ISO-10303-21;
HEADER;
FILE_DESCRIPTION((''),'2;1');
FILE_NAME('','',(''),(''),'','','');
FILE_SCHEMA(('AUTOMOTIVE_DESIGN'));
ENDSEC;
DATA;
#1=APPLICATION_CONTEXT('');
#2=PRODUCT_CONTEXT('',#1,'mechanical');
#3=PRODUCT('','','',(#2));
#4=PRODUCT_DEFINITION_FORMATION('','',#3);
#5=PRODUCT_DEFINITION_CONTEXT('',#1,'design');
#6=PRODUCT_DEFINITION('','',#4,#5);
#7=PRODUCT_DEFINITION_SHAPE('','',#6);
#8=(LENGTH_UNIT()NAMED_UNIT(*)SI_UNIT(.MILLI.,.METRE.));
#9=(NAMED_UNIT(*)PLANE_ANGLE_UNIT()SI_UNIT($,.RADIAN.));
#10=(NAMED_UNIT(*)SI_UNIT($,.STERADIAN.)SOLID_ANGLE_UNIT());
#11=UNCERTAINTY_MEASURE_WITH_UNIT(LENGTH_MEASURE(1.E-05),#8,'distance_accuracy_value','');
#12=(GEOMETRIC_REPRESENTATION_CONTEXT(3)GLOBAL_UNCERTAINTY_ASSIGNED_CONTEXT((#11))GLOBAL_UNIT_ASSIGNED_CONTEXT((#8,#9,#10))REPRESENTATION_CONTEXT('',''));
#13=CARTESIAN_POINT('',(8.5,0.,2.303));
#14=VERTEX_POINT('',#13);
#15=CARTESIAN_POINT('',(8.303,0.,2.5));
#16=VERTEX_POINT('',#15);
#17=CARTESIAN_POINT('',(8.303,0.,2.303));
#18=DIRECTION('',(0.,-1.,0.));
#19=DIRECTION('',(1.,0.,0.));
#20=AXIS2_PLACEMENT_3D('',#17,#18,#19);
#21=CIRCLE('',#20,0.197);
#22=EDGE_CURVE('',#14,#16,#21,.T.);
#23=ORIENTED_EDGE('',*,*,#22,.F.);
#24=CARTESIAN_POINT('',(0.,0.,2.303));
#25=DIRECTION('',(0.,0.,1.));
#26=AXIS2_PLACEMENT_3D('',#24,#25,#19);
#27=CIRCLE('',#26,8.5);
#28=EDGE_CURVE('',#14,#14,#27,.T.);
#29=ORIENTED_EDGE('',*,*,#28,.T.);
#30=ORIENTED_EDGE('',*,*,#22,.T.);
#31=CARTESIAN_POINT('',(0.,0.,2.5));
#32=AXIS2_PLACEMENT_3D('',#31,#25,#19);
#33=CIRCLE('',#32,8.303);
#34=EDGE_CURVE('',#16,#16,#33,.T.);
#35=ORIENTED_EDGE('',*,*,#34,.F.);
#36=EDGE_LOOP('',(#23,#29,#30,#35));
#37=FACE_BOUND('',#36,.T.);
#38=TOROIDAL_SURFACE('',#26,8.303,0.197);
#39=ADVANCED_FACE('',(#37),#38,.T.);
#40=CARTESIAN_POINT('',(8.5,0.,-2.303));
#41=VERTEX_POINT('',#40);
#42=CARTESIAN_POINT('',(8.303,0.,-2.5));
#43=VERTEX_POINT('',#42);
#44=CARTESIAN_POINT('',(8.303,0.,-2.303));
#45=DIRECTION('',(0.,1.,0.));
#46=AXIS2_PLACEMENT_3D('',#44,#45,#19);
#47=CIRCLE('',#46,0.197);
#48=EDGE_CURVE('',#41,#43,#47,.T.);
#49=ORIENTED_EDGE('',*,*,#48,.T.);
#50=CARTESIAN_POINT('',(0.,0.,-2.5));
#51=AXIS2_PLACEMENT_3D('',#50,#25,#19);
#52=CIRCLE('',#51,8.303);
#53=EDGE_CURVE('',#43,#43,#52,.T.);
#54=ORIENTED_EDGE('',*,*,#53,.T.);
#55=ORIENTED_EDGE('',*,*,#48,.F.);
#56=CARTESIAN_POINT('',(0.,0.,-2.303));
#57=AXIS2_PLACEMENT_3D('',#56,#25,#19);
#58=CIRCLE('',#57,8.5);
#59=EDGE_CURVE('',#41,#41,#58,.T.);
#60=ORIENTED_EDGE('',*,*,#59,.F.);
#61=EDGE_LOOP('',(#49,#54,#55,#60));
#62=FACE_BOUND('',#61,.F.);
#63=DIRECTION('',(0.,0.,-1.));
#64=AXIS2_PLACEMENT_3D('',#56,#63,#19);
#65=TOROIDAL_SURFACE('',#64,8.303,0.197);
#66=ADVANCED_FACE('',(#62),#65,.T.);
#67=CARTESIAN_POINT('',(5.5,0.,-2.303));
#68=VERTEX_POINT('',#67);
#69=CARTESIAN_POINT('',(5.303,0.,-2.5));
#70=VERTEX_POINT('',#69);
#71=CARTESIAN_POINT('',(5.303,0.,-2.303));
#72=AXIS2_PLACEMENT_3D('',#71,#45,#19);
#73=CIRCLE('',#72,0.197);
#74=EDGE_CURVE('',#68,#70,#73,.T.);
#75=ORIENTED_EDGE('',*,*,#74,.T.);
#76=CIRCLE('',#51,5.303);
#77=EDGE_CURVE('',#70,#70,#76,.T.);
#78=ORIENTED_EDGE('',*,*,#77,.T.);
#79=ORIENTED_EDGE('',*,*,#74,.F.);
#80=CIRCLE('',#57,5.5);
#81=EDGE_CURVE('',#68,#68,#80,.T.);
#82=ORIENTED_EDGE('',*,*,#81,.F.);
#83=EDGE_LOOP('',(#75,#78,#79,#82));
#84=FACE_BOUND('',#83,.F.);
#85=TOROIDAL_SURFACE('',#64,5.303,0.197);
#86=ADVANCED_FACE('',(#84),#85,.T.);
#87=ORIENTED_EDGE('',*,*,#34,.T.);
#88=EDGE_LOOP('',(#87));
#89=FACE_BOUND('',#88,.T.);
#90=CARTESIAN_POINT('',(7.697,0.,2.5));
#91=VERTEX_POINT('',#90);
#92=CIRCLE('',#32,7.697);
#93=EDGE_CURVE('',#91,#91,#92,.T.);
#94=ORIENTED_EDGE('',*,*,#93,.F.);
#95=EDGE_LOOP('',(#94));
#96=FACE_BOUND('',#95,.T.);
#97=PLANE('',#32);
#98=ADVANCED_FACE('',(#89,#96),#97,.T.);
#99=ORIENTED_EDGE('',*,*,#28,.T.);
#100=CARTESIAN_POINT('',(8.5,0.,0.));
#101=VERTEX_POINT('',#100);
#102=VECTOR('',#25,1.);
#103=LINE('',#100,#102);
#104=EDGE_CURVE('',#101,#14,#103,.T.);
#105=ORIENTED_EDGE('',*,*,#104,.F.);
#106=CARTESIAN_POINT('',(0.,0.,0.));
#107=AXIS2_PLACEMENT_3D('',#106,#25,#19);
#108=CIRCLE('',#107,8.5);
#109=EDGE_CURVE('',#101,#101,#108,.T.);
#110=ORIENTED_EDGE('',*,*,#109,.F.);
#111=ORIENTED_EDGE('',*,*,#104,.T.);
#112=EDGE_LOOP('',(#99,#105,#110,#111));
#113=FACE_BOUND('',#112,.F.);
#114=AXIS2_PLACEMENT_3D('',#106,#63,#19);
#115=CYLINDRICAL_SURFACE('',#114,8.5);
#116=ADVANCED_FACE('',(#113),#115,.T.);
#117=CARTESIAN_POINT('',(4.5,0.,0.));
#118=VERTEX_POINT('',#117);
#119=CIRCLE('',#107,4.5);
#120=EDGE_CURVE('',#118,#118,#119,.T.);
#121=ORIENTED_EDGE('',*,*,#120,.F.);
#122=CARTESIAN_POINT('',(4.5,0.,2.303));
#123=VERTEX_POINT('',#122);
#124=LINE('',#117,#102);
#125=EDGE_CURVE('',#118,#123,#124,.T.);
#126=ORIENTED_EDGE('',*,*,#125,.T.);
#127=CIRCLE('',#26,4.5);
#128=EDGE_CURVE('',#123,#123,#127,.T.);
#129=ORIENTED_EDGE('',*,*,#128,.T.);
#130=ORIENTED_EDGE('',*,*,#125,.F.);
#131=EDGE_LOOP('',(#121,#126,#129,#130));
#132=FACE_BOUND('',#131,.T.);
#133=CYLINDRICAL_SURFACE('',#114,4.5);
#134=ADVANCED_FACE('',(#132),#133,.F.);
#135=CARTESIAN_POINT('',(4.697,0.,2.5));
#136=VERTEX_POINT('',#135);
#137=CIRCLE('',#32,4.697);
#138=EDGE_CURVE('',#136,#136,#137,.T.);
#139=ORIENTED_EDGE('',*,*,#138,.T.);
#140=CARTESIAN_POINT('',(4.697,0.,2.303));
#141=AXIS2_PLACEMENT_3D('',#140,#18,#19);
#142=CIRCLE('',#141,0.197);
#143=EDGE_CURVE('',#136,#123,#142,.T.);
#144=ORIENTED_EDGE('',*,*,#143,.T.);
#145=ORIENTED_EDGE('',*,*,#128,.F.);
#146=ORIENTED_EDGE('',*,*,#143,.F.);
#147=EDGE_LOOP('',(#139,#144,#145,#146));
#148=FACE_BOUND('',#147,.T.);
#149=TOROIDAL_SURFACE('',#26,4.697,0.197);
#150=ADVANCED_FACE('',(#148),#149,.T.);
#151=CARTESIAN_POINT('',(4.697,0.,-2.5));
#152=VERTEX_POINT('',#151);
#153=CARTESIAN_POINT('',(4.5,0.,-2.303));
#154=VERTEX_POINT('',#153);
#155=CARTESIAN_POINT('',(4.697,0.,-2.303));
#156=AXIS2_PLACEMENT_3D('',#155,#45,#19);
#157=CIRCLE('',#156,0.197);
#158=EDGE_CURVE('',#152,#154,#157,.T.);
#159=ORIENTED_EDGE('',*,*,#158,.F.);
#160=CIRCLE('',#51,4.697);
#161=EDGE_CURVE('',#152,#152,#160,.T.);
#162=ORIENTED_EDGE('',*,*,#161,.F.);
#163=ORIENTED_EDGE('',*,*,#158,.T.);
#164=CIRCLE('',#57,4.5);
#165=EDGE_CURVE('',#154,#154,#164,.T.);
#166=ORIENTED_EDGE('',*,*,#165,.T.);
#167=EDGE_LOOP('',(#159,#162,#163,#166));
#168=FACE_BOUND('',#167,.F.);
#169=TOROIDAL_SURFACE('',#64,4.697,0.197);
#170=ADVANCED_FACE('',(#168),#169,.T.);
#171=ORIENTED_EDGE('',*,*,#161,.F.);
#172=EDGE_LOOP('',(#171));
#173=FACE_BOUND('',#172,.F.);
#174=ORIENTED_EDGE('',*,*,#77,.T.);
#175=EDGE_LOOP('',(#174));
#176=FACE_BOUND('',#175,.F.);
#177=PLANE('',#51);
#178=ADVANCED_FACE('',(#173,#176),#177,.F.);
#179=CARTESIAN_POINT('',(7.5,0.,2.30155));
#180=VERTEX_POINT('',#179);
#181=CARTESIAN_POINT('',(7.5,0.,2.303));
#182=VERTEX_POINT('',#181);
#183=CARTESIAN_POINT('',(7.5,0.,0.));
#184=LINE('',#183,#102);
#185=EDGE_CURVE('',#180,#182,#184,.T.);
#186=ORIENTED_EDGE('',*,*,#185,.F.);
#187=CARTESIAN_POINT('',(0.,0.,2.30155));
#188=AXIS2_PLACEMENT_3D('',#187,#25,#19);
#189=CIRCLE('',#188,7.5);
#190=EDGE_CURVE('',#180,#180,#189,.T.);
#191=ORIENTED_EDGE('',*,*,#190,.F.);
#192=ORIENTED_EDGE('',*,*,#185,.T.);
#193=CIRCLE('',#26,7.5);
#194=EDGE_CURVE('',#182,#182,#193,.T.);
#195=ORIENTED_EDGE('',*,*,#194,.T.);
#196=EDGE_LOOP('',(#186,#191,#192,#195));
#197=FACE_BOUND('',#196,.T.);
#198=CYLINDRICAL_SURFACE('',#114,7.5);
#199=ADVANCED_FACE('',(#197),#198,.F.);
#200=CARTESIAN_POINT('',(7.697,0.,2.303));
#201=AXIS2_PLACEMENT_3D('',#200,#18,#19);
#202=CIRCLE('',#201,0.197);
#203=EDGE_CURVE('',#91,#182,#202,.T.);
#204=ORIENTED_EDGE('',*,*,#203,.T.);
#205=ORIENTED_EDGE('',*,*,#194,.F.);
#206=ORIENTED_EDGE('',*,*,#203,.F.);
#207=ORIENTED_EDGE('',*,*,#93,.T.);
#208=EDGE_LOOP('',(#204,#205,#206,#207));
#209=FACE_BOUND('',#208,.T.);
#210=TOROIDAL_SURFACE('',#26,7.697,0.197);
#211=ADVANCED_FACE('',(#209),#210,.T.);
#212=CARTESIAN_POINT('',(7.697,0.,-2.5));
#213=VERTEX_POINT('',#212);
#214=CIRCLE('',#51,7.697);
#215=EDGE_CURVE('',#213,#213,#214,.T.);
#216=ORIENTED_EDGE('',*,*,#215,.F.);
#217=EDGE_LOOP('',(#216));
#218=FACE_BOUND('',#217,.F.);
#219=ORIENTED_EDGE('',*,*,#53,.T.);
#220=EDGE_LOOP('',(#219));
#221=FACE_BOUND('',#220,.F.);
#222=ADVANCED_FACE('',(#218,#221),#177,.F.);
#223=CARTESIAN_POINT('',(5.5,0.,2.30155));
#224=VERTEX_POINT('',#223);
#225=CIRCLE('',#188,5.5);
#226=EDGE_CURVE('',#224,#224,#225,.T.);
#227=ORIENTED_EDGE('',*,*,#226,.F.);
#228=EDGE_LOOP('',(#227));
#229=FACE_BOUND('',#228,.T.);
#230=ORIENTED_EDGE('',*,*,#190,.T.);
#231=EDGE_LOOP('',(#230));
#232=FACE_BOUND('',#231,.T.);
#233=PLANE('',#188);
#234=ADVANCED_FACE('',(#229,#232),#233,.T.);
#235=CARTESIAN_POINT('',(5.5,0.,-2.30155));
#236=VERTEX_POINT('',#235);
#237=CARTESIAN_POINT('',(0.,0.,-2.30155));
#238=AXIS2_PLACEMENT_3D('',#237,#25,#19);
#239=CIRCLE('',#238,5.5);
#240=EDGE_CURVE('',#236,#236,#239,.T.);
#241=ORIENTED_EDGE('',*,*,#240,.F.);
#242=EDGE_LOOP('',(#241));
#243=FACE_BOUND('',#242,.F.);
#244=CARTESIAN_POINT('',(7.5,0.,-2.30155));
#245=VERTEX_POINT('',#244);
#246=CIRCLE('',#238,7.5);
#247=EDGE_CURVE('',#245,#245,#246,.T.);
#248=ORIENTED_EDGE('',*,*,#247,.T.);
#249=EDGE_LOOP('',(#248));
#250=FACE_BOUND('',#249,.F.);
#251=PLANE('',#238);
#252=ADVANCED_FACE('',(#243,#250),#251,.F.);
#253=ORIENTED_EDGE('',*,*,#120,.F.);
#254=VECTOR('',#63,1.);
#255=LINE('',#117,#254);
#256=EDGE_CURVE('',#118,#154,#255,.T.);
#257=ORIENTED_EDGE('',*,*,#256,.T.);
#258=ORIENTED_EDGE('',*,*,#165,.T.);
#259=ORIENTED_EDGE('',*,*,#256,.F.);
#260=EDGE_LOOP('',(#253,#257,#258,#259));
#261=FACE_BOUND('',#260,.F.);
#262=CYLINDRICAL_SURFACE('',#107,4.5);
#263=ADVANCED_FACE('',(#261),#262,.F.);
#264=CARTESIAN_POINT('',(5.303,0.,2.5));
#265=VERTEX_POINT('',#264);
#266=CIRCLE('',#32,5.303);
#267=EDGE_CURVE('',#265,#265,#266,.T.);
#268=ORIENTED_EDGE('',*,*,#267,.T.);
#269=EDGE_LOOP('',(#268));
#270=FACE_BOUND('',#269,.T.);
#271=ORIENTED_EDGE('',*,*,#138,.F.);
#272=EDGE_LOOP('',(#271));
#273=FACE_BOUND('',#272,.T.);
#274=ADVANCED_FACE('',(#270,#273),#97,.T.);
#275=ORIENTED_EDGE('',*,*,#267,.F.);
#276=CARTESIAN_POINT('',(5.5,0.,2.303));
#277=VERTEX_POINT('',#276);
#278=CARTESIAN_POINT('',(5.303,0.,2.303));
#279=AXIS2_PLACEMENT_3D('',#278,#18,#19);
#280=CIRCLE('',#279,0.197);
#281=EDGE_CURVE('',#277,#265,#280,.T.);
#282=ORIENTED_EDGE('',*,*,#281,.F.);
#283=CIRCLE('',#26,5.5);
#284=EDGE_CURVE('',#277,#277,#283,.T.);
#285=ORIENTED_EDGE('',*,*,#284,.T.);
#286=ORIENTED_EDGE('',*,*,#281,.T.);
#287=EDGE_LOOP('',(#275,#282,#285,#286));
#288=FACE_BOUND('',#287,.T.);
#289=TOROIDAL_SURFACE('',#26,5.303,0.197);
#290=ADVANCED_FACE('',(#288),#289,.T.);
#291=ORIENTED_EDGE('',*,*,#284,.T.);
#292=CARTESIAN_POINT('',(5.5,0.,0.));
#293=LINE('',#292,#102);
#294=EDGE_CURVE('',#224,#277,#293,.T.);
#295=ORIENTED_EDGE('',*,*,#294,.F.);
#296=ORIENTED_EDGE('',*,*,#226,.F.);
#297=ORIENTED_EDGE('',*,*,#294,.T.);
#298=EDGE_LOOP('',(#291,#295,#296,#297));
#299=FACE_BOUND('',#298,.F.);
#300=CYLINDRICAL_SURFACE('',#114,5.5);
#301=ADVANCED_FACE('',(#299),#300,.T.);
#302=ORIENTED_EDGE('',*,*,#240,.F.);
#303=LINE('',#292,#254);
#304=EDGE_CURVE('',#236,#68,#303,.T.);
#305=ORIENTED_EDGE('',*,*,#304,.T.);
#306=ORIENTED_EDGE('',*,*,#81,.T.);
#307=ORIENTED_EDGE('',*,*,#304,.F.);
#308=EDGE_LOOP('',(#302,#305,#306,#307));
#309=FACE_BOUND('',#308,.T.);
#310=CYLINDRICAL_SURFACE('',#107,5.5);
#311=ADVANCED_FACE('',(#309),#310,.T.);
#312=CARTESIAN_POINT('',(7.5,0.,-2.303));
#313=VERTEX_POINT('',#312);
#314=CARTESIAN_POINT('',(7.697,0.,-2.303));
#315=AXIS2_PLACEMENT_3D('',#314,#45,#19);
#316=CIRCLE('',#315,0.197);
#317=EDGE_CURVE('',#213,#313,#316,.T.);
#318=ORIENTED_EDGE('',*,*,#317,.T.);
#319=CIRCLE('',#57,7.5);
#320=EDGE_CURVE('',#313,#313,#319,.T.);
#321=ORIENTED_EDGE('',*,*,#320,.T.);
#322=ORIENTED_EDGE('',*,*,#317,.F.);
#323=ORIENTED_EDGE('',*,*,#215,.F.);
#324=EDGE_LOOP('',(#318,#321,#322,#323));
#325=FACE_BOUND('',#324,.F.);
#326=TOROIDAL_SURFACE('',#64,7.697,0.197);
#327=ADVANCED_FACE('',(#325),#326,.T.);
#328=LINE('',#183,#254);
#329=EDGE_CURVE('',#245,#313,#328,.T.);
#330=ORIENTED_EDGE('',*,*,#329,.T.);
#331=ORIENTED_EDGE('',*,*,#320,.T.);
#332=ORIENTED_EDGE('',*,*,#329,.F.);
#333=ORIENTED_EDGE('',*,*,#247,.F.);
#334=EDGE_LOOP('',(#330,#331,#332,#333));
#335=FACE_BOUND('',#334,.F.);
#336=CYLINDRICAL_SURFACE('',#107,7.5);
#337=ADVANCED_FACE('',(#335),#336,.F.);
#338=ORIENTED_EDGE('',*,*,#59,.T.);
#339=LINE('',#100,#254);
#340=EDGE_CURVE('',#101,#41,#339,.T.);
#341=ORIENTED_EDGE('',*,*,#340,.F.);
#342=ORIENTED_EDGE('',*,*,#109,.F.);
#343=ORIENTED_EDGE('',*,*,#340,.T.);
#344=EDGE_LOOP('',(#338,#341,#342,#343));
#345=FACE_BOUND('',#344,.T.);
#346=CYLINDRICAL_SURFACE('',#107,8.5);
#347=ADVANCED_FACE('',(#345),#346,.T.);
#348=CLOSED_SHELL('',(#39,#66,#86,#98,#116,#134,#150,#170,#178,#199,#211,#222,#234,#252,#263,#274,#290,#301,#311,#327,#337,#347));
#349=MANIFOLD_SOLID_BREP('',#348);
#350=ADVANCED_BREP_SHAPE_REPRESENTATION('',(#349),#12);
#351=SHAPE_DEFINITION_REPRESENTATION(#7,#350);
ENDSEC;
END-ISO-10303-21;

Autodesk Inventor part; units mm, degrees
ref_plane "YZ Plane" through (0, 0, 0) normal (1, 0, 0) x (0, 1, 0)
ref_plane "XZ Plane" through (0, 0, 0) normal (0, 1, 0) x (-1, 0, 0)
ref_plane "XY Plane" through (0, 0, 0) normal (0, 0, 1) x (1, 0, 0)
sketch "Sketch1" plane through (0, 0, 0) normal (0, 0, 1) x (1, 0, 0)
  circle A0 centre (0, 0) radius 4.5
  circle A1 centre (0, 0) radius 8.5
  circle A2 centre (0, 0) radius 5.5
  circle A3 centre (0, 0) radius 7.5
  dimension "d0" = 9
  dimension "d1" = 17
  dimension "d2" = 11
  dimension "d3" = 15
extrude "Extrusion1" add sketch "Sketch1" along normal mid plane 5
extrude "Extrusion2" add sketch "Sketch1" along normal mid plane 4.6031 contours A3
fillet "Fillet1" radius 0.2 8 edges at (-8.5, 0, 2.5) (-7.5, 0, 2.5) (-5.5, 0, 2.5) (-4.5, 0, 2.5) (-8.5, 0, -2.5) (-7.5, 0, -2.5) (-5.5, 0, -2.5) (-4.5, 0, -2.5)
properties part number "689-2RS"
